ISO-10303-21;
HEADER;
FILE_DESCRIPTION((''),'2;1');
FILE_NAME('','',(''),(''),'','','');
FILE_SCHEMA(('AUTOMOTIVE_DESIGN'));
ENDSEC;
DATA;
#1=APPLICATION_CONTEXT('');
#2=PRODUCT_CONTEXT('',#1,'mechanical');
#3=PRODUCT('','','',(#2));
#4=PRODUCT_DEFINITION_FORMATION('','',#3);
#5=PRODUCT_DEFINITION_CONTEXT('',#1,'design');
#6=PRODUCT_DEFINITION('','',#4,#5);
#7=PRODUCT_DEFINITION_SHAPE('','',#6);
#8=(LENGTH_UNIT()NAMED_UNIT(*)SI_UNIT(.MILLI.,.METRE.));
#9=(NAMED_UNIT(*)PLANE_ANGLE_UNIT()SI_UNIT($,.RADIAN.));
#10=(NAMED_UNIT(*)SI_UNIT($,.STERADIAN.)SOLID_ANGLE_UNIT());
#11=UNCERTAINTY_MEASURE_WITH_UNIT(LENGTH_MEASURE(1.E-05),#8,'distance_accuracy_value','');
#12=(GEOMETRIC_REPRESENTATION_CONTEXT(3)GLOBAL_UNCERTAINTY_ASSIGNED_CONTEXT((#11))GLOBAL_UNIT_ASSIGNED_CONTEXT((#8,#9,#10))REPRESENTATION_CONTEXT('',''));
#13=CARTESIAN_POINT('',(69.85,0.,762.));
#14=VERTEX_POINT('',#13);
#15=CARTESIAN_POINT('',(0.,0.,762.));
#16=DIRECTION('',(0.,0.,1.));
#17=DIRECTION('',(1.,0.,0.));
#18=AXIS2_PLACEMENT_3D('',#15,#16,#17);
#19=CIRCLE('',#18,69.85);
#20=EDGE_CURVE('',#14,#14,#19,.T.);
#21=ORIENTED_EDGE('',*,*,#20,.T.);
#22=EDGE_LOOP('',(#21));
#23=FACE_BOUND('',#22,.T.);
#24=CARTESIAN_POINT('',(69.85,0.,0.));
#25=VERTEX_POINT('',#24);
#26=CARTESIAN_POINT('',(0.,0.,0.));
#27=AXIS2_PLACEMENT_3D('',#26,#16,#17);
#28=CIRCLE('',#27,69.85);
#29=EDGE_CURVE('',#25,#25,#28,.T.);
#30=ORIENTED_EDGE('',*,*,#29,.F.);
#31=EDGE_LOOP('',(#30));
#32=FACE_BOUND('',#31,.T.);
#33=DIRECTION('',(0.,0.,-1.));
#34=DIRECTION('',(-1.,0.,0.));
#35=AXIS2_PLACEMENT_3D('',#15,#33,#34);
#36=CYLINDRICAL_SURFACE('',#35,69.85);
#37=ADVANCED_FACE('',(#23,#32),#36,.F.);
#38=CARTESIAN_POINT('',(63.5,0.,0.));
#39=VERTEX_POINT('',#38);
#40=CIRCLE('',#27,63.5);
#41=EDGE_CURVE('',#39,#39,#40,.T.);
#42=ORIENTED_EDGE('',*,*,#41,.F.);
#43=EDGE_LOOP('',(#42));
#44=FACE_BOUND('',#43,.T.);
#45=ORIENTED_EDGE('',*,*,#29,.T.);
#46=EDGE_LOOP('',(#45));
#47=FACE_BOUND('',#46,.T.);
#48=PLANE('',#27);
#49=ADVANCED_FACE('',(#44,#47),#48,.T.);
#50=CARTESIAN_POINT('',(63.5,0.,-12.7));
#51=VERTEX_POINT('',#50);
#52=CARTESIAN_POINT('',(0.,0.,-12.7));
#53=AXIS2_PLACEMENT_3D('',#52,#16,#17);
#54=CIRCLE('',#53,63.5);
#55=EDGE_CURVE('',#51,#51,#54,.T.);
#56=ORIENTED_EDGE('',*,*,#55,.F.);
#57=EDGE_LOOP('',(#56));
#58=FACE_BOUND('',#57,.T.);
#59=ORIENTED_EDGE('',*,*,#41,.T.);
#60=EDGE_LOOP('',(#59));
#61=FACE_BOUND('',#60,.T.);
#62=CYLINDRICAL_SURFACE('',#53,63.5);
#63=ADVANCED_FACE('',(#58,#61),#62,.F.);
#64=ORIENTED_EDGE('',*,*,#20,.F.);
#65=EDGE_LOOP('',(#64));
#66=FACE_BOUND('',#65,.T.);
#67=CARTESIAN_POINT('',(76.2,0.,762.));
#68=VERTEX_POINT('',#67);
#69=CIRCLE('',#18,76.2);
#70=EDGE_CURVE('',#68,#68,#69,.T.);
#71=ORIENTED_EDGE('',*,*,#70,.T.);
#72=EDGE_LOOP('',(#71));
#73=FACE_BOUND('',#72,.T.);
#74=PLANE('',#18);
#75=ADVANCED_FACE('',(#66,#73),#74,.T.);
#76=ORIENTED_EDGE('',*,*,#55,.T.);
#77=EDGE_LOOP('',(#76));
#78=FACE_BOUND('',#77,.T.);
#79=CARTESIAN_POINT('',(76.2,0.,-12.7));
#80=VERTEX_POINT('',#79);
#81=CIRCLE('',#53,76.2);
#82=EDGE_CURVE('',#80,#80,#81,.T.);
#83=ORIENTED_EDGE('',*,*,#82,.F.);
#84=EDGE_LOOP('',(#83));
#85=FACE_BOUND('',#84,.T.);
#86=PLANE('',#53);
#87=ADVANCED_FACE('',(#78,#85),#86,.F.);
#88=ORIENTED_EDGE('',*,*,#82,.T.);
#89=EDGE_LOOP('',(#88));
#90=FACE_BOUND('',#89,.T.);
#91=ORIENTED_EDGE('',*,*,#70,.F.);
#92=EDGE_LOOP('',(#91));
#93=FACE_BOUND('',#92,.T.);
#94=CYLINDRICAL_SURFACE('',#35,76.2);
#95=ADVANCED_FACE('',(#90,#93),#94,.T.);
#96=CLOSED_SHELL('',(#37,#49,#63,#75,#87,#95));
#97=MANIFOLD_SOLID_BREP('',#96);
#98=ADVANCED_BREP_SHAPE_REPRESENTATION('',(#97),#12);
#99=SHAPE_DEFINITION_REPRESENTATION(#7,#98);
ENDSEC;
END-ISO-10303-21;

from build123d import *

# Parameters (mm, degrees)
SKETCH1_R           = 76.2
SKETCH1_R_2         = 69.85
BOSS_EXTRUDE1_DEPTH = 762
BOSS_EXTRUDE2_START = -12.7
SKETCH1_3_R         = 76.2
SKETCH1_3_R_2       = 63.5
BOSS_EXTRUDE2_DEPTH = 12.7


with BuildPart() as part:
    # Sketch1 → Boss-Extrude1 (new body)
    with BuildSketch(Plane.XY):
        Circle(SKETCH1_R)
        Circle(SKETCH1_R_2, mode=Mode.SUBTRACT)
    extrude(amount=BOSS_EXTRUDE1_DEPTH)

    # Sketch1<3> → Boss-Extrude2 (add)
    with BuildSketch(Plane.XY.offset(BOSS_EXTRUDE2_START)):
        Circle(SKETCH1_3_R)
        Circle(SKETCH1_3_R_2, mode=Mode.SUBTRACT)
    extrude(amount=BOSS_EXTRUDE2_DEPTH)


solid = part.part
